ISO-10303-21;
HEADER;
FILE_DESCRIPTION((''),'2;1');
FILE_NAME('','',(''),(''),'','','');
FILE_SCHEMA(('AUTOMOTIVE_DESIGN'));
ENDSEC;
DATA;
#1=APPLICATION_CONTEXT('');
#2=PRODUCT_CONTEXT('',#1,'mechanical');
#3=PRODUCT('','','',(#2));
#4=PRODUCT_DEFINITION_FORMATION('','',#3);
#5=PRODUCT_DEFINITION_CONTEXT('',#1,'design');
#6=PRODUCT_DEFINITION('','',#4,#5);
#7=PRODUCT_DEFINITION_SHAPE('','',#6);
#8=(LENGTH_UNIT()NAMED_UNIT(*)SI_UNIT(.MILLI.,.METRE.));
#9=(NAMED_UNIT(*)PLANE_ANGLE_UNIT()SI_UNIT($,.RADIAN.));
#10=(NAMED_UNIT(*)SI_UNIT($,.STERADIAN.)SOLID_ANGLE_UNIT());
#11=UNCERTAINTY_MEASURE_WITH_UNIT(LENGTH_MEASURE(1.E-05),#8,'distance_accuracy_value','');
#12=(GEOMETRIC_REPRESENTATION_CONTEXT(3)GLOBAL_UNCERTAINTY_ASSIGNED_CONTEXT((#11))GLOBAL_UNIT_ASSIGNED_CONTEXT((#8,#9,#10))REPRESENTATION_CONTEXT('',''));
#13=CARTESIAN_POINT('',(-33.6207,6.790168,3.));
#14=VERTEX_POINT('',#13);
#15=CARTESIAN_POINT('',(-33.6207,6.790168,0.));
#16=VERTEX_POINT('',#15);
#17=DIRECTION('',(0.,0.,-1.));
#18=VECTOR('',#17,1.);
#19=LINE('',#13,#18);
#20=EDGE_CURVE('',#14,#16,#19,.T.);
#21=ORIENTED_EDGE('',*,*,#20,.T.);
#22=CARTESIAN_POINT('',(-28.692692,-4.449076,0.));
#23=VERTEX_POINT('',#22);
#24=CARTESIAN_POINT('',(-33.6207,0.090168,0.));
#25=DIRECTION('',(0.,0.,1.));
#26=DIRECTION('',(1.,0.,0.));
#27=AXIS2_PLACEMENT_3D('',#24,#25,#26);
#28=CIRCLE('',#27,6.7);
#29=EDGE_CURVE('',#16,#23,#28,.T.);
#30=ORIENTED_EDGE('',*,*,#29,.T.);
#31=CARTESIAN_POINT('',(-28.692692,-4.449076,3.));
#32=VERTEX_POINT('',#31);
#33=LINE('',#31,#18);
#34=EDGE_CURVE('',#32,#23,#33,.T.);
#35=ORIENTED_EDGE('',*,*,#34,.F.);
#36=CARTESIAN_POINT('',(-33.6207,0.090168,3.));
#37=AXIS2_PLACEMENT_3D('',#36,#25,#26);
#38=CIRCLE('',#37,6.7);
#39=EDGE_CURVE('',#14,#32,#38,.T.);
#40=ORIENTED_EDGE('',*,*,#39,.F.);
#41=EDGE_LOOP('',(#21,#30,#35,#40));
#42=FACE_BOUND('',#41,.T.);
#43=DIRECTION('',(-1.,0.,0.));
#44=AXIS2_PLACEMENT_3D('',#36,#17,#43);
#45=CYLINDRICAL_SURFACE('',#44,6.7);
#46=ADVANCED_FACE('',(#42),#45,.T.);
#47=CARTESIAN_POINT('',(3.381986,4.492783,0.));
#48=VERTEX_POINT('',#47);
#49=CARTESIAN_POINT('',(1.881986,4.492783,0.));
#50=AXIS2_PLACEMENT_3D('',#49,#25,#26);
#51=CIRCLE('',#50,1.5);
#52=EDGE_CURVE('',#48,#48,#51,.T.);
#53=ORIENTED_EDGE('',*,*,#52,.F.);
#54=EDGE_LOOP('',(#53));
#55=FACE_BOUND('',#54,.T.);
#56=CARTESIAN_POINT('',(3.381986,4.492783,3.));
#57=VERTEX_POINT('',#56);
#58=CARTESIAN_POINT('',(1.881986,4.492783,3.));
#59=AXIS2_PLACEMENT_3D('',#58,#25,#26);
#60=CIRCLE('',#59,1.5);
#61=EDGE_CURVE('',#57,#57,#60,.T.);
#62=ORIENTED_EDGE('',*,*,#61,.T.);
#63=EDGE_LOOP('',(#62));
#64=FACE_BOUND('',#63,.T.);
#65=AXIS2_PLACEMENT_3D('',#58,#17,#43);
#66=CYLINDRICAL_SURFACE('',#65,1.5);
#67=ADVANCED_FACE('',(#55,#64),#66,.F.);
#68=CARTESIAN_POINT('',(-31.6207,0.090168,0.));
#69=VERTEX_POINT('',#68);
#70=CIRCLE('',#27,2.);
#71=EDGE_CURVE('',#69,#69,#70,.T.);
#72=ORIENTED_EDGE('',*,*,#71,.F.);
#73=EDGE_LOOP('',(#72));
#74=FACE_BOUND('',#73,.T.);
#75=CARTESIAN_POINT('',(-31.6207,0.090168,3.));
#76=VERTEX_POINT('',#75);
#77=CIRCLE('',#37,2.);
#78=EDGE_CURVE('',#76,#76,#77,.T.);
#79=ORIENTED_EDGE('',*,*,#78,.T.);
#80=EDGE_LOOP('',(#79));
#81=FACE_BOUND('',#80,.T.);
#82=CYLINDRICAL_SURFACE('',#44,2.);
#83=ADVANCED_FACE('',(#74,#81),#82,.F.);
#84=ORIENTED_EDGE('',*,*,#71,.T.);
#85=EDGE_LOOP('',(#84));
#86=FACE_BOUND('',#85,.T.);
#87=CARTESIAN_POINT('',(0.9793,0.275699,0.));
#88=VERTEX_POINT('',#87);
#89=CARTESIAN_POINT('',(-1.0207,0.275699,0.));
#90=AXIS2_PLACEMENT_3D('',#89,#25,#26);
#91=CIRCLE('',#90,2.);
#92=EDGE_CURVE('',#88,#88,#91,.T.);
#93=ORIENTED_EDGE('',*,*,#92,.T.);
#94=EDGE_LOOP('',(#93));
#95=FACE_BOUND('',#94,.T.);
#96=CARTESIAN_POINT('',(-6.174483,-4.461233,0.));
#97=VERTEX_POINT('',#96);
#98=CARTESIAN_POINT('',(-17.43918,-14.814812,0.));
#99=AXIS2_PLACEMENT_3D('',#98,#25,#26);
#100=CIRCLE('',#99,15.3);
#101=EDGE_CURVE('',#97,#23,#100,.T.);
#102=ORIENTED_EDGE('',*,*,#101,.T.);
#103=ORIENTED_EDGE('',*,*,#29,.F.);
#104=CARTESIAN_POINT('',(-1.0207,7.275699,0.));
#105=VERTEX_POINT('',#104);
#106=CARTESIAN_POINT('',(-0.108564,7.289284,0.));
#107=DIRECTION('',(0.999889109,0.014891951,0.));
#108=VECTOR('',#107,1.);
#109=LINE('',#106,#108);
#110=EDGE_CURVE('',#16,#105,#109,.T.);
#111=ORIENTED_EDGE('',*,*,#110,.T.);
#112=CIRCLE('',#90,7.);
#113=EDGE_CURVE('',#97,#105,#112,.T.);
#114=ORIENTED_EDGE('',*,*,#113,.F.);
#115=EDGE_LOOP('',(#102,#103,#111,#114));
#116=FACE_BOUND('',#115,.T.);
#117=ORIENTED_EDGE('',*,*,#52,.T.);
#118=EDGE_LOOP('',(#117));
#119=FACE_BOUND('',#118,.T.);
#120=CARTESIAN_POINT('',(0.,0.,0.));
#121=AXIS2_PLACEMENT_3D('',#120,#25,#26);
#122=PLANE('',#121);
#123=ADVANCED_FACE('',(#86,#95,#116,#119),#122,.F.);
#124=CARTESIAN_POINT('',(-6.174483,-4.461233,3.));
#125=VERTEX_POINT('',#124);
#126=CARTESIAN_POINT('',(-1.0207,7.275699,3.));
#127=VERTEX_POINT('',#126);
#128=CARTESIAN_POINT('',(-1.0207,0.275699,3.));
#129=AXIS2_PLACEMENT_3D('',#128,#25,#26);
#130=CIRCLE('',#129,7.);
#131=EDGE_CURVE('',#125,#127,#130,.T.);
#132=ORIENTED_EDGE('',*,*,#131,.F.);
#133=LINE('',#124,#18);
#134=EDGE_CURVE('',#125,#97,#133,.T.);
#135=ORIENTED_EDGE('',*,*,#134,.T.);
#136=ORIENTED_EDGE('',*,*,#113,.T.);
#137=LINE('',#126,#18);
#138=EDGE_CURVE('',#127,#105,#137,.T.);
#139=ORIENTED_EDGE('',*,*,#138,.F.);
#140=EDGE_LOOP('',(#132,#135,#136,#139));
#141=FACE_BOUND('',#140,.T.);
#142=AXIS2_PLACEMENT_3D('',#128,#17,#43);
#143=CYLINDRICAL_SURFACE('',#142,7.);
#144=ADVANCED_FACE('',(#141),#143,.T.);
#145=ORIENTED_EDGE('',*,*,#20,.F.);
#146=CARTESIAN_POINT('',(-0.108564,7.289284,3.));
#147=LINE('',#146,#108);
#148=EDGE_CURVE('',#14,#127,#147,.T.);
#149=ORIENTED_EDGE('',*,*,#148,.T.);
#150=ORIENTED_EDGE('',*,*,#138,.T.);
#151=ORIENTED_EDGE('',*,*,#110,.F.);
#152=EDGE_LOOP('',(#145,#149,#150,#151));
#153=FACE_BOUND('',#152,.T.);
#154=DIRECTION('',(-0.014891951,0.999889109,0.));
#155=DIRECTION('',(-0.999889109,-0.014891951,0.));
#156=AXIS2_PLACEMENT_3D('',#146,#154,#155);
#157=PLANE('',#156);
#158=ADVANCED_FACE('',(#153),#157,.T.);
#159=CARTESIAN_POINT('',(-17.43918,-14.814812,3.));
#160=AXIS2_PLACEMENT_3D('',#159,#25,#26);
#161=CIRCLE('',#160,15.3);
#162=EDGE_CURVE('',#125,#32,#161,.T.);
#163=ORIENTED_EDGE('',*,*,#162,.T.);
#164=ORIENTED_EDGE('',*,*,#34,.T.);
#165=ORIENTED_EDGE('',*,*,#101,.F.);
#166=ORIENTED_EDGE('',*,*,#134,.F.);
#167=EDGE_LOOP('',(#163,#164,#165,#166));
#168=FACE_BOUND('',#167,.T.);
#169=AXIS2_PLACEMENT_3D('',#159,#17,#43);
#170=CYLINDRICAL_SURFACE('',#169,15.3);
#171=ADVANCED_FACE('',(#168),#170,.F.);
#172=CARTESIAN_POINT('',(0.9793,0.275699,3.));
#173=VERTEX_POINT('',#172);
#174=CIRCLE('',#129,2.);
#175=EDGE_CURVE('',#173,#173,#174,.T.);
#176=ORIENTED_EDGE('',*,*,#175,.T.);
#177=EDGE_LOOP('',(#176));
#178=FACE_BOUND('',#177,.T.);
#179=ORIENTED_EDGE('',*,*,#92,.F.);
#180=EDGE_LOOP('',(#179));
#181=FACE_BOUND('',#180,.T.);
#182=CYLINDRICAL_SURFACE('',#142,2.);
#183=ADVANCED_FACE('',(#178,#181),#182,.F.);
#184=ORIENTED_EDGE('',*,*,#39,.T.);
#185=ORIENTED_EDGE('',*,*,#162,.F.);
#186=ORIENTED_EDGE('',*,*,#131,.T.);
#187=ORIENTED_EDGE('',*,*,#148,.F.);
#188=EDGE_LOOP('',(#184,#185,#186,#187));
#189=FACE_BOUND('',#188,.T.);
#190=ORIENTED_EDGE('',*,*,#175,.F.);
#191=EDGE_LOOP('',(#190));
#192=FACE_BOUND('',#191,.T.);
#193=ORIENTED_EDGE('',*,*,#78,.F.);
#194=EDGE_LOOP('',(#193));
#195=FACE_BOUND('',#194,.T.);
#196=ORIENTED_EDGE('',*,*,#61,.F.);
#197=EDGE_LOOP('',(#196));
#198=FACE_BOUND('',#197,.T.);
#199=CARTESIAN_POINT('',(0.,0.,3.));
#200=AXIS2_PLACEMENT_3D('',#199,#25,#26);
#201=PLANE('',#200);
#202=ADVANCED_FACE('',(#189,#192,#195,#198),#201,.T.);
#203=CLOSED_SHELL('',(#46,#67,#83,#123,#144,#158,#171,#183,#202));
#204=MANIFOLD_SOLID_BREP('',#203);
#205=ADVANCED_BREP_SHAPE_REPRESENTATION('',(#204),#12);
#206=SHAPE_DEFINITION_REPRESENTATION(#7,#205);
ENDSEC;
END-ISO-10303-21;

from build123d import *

# Parameters (mm, degrees)
SKETCH1_R           = 2
SKETCH1_R_2         = 1.5
BOSS_EXTRUDE1_DEPTH = 3


with BuildPart() as part:
    # Sketch1 → Boss-Extrude1 (new body)
    with BuildSketch(Plane.XY):
        with BuildLine():
            Line((-1.2291645, 7.272594351), (-33.6207003, 6.790167677))
            ThreePointArc((-33.6207003, 6.790167677), (-39.756779375, -2.600284623), (-28.692691922, -4.44907603))
            ThreePointArc((-28.692691922, -4.44907603), (-17.430920536, 0.485186112), (-6.174483245, -4.461232505))
            ThreePointArc((-6.174483245, -4.461232505), (5.388610173, -2.538681661), (-1.0207003, 7.275699134))
            Line((-1.0207003, 7.275699134), (-1.2291645, 7.272594351))
        make_face()
        with Locations((-33.6207003, 0.090167677)):
            Circle(SKETCH1_R, mode=Mode.SUBTRACT)
        with Locations((-1.0207003, 0.275699134)):
            Circle(SKETCH1_R, mode=Mode.SUBTRACT)
        with Locations((1.881986284, 4.492783471)):
            Circle(SKETCH1_R_2, mode=Mode.SUBTRACT)
    extrude(amount=BOSS_EXTRUDE1_DEPTH)


solid = part.part
